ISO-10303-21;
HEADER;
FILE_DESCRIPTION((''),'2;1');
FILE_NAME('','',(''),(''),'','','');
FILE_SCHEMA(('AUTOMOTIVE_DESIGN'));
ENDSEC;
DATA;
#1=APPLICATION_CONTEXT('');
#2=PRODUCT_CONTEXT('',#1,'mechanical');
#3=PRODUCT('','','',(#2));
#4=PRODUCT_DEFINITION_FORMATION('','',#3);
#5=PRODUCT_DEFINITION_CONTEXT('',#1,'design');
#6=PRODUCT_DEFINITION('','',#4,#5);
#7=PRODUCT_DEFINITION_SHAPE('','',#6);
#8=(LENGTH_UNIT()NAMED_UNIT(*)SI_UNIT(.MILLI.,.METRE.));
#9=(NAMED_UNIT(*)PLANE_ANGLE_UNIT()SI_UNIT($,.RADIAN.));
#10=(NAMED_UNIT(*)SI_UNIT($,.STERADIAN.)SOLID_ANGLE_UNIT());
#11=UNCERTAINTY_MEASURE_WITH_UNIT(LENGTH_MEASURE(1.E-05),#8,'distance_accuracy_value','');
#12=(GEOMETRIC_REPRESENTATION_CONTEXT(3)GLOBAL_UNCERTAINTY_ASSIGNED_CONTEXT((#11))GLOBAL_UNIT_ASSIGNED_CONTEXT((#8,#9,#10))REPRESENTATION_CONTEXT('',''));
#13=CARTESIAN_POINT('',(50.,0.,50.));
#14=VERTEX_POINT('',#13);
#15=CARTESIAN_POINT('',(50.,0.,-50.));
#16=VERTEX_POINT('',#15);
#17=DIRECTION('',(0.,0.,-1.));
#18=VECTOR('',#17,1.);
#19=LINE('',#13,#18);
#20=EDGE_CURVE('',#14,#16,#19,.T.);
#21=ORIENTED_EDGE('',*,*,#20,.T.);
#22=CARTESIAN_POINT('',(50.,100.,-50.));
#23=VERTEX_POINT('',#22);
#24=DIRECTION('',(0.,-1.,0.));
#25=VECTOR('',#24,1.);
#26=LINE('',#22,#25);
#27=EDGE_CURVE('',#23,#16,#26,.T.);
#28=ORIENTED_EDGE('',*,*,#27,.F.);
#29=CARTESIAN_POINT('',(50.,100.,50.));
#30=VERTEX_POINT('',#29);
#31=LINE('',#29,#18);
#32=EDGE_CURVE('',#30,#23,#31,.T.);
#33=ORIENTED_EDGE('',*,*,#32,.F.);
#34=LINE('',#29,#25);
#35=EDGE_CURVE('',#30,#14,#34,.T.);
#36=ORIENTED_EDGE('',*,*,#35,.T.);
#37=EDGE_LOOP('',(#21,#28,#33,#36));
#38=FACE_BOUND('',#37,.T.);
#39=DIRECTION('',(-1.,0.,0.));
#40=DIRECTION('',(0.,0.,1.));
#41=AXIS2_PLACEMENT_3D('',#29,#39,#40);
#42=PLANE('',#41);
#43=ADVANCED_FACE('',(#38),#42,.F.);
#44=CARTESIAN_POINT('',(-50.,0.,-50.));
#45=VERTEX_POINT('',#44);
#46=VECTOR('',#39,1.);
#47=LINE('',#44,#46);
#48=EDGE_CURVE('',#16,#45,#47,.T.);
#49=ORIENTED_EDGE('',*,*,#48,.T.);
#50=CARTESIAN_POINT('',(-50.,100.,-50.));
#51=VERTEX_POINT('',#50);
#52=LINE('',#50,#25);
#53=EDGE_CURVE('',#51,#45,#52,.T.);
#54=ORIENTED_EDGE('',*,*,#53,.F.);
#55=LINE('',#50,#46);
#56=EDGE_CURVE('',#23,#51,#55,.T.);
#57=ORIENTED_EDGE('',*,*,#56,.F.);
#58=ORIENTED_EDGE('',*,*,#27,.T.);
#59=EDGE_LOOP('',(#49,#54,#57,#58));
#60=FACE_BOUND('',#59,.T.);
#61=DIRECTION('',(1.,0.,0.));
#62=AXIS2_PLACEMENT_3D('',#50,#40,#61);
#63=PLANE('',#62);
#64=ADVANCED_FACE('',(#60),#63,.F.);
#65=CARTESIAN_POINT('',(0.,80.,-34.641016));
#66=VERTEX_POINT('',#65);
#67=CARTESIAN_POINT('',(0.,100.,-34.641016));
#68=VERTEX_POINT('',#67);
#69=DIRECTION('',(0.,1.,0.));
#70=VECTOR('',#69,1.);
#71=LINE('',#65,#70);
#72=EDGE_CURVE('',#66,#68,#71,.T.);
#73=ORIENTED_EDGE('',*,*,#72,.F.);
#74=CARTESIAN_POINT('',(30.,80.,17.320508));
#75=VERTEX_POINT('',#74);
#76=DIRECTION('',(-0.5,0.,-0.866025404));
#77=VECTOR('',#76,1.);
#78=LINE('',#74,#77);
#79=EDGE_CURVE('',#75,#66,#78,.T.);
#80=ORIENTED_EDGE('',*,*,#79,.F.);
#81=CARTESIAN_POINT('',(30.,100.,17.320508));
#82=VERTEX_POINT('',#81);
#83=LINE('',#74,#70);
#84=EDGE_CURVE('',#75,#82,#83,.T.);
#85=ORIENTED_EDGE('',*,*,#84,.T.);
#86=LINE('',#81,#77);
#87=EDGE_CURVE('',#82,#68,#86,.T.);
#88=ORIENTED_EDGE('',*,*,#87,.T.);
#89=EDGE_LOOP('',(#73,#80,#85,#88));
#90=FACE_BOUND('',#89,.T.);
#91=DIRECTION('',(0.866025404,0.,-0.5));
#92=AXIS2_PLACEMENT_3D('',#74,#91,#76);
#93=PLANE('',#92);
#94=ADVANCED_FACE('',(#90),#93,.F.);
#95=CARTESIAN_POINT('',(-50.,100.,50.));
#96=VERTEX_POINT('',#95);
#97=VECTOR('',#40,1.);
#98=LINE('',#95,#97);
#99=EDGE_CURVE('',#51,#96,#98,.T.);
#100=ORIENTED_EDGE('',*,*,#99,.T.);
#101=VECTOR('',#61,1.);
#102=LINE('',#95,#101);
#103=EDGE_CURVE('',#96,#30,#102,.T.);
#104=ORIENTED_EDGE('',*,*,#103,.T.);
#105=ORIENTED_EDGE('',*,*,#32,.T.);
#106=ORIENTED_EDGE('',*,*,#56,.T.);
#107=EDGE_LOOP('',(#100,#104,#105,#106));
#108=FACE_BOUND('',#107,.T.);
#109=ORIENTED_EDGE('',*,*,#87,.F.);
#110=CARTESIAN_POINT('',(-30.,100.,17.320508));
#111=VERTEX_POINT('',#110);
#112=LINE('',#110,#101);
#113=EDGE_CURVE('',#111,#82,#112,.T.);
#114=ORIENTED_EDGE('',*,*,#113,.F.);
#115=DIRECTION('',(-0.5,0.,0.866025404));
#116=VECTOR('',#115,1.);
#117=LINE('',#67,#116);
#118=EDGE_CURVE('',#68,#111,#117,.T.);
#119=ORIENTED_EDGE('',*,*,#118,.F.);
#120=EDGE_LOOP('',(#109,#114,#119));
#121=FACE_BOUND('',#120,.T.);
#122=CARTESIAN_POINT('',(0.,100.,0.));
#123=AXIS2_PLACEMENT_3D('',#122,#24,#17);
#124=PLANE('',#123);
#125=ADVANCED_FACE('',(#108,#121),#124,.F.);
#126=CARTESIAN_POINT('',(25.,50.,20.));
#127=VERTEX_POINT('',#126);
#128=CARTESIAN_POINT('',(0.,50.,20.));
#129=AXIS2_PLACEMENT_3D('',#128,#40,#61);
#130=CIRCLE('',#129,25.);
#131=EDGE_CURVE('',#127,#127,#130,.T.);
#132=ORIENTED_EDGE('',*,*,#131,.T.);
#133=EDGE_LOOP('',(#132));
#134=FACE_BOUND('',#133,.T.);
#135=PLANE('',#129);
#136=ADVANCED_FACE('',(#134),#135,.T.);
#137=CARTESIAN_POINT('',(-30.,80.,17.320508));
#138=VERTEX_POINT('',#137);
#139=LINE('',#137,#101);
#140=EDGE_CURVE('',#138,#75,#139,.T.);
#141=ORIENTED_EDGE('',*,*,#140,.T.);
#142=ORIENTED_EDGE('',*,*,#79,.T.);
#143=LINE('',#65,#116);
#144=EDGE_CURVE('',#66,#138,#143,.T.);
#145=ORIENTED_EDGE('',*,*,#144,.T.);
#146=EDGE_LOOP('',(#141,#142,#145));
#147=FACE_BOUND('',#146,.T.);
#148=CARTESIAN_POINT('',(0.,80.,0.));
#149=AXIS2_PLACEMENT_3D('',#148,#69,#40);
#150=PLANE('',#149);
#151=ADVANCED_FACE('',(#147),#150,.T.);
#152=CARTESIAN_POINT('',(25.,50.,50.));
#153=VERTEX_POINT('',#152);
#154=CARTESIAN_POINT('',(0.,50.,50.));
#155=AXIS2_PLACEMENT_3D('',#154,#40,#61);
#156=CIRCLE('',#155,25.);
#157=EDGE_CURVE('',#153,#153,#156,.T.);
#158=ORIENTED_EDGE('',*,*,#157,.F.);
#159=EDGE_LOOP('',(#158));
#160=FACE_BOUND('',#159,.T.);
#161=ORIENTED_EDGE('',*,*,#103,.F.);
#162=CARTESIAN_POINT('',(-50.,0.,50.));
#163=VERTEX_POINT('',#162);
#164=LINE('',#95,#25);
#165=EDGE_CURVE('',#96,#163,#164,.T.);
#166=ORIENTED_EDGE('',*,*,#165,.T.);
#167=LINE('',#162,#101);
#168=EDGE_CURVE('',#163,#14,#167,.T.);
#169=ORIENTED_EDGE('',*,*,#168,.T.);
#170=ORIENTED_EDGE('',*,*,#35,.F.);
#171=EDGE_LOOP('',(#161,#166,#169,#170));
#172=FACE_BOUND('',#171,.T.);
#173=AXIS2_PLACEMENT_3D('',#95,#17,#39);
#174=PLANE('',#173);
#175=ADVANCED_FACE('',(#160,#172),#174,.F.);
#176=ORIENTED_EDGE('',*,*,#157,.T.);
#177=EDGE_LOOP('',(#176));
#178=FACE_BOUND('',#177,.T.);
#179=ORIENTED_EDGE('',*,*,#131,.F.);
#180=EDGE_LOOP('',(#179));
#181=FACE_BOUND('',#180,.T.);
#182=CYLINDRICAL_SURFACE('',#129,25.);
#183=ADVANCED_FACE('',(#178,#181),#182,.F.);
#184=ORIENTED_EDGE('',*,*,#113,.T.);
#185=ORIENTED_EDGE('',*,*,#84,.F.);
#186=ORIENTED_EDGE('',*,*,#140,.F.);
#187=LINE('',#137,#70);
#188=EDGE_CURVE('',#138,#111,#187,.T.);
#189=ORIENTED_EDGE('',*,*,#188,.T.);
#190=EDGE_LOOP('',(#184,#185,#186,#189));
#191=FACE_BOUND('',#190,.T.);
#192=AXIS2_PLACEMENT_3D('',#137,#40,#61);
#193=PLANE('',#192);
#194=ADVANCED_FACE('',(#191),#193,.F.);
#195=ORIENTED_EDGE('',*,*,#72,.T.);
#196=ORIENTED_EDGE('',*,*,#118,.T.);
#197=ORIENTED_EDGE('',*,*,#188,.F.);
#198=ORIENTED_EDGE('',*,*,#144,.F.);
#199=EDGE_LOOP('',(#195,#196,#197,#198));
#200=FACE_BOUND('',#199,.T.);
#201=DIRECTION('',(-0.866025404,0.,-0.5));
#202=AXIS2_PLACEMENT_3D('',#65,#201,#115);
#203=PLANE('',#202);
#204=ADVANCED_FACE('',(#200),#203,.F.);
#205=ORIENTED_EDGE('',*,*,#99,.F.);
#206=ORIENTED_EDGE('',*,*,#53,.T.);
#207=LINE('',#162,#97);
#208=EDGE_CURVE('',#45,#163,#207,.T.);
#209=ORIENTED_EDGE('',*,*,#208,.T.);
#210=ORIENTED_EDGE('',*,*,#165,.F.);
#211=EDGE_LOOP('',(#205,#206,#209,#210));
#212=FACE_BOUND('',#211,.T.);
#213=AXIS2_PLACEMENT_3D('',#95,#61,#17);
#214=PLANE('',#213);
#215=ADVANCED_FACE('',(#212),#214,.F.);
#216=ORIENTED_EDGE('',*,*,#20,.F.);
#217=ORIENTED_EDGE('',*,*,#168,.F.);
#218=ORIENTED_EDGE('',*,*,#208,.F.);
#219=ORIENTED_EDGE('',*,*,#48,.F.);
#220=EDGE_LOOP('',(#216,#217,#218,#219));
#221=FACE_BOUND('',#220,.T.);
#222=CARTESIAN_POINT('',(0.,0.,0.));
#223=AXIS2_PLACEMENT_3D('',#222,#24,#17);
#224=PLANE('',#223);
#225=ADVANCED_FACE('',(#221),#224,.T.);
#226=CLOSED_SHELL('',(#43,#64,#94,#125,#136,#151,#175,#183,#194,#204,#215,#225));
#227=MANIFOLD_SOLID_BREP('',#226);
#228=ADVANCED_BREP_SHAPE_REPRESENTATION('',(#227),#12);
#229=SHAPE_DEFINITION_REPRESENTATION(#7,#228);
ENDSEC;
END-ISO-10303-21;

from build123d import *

# Parameters (mm, degrees)
SKETCH1_W           = 100
SKETCH1_H           = 100
BOSS_EXTRUDE1_DEPTH = 100
SKETCH2_R           = 25
CUT_EXTRUDE1_DEPTH  = 30
CUT_EXTRUDE2_DEPTH  = 20


with BuildPart() as part:
    # Sketch1 → Boss-Extrude1 (new body)
    with BuildSketch(Plane(origin=(0, 0, 0), x_dir=(1, 0, 0), z_dir=(0, 1, 0))):
        Rectangle(SKETCH1_W, SKETCH1_H)
    extrude(amount=BOSS_EXTRUDE1_DEPTH)

    # Sketch2 → Cut-Extrude1 (cut)
    with BuildSketch(Plane.XY.offset(50)):
        with Locations((0, 50)):
            Circle(SKETCH2_R)
    extrude(amount=-CUT_EXTRUDE1_DEPTH, mode=Mode.SUBTRACT)

    # Sketch3 → Cut-Extrude2 (cut)
    with BuildSketch(Plane(origin=(0, 100, 0), x_dir=(1, 0, 0), z_dir=(0, 1, 0))):
        Polygon((0, 34.641016151), (-30, -17.320508076), (30, -17.320508076), align=None)
    extrude(amount=-CUT_EXTRUDE2_DEPTH, mode=Mode.SUBTRACT)


solid = part.part
